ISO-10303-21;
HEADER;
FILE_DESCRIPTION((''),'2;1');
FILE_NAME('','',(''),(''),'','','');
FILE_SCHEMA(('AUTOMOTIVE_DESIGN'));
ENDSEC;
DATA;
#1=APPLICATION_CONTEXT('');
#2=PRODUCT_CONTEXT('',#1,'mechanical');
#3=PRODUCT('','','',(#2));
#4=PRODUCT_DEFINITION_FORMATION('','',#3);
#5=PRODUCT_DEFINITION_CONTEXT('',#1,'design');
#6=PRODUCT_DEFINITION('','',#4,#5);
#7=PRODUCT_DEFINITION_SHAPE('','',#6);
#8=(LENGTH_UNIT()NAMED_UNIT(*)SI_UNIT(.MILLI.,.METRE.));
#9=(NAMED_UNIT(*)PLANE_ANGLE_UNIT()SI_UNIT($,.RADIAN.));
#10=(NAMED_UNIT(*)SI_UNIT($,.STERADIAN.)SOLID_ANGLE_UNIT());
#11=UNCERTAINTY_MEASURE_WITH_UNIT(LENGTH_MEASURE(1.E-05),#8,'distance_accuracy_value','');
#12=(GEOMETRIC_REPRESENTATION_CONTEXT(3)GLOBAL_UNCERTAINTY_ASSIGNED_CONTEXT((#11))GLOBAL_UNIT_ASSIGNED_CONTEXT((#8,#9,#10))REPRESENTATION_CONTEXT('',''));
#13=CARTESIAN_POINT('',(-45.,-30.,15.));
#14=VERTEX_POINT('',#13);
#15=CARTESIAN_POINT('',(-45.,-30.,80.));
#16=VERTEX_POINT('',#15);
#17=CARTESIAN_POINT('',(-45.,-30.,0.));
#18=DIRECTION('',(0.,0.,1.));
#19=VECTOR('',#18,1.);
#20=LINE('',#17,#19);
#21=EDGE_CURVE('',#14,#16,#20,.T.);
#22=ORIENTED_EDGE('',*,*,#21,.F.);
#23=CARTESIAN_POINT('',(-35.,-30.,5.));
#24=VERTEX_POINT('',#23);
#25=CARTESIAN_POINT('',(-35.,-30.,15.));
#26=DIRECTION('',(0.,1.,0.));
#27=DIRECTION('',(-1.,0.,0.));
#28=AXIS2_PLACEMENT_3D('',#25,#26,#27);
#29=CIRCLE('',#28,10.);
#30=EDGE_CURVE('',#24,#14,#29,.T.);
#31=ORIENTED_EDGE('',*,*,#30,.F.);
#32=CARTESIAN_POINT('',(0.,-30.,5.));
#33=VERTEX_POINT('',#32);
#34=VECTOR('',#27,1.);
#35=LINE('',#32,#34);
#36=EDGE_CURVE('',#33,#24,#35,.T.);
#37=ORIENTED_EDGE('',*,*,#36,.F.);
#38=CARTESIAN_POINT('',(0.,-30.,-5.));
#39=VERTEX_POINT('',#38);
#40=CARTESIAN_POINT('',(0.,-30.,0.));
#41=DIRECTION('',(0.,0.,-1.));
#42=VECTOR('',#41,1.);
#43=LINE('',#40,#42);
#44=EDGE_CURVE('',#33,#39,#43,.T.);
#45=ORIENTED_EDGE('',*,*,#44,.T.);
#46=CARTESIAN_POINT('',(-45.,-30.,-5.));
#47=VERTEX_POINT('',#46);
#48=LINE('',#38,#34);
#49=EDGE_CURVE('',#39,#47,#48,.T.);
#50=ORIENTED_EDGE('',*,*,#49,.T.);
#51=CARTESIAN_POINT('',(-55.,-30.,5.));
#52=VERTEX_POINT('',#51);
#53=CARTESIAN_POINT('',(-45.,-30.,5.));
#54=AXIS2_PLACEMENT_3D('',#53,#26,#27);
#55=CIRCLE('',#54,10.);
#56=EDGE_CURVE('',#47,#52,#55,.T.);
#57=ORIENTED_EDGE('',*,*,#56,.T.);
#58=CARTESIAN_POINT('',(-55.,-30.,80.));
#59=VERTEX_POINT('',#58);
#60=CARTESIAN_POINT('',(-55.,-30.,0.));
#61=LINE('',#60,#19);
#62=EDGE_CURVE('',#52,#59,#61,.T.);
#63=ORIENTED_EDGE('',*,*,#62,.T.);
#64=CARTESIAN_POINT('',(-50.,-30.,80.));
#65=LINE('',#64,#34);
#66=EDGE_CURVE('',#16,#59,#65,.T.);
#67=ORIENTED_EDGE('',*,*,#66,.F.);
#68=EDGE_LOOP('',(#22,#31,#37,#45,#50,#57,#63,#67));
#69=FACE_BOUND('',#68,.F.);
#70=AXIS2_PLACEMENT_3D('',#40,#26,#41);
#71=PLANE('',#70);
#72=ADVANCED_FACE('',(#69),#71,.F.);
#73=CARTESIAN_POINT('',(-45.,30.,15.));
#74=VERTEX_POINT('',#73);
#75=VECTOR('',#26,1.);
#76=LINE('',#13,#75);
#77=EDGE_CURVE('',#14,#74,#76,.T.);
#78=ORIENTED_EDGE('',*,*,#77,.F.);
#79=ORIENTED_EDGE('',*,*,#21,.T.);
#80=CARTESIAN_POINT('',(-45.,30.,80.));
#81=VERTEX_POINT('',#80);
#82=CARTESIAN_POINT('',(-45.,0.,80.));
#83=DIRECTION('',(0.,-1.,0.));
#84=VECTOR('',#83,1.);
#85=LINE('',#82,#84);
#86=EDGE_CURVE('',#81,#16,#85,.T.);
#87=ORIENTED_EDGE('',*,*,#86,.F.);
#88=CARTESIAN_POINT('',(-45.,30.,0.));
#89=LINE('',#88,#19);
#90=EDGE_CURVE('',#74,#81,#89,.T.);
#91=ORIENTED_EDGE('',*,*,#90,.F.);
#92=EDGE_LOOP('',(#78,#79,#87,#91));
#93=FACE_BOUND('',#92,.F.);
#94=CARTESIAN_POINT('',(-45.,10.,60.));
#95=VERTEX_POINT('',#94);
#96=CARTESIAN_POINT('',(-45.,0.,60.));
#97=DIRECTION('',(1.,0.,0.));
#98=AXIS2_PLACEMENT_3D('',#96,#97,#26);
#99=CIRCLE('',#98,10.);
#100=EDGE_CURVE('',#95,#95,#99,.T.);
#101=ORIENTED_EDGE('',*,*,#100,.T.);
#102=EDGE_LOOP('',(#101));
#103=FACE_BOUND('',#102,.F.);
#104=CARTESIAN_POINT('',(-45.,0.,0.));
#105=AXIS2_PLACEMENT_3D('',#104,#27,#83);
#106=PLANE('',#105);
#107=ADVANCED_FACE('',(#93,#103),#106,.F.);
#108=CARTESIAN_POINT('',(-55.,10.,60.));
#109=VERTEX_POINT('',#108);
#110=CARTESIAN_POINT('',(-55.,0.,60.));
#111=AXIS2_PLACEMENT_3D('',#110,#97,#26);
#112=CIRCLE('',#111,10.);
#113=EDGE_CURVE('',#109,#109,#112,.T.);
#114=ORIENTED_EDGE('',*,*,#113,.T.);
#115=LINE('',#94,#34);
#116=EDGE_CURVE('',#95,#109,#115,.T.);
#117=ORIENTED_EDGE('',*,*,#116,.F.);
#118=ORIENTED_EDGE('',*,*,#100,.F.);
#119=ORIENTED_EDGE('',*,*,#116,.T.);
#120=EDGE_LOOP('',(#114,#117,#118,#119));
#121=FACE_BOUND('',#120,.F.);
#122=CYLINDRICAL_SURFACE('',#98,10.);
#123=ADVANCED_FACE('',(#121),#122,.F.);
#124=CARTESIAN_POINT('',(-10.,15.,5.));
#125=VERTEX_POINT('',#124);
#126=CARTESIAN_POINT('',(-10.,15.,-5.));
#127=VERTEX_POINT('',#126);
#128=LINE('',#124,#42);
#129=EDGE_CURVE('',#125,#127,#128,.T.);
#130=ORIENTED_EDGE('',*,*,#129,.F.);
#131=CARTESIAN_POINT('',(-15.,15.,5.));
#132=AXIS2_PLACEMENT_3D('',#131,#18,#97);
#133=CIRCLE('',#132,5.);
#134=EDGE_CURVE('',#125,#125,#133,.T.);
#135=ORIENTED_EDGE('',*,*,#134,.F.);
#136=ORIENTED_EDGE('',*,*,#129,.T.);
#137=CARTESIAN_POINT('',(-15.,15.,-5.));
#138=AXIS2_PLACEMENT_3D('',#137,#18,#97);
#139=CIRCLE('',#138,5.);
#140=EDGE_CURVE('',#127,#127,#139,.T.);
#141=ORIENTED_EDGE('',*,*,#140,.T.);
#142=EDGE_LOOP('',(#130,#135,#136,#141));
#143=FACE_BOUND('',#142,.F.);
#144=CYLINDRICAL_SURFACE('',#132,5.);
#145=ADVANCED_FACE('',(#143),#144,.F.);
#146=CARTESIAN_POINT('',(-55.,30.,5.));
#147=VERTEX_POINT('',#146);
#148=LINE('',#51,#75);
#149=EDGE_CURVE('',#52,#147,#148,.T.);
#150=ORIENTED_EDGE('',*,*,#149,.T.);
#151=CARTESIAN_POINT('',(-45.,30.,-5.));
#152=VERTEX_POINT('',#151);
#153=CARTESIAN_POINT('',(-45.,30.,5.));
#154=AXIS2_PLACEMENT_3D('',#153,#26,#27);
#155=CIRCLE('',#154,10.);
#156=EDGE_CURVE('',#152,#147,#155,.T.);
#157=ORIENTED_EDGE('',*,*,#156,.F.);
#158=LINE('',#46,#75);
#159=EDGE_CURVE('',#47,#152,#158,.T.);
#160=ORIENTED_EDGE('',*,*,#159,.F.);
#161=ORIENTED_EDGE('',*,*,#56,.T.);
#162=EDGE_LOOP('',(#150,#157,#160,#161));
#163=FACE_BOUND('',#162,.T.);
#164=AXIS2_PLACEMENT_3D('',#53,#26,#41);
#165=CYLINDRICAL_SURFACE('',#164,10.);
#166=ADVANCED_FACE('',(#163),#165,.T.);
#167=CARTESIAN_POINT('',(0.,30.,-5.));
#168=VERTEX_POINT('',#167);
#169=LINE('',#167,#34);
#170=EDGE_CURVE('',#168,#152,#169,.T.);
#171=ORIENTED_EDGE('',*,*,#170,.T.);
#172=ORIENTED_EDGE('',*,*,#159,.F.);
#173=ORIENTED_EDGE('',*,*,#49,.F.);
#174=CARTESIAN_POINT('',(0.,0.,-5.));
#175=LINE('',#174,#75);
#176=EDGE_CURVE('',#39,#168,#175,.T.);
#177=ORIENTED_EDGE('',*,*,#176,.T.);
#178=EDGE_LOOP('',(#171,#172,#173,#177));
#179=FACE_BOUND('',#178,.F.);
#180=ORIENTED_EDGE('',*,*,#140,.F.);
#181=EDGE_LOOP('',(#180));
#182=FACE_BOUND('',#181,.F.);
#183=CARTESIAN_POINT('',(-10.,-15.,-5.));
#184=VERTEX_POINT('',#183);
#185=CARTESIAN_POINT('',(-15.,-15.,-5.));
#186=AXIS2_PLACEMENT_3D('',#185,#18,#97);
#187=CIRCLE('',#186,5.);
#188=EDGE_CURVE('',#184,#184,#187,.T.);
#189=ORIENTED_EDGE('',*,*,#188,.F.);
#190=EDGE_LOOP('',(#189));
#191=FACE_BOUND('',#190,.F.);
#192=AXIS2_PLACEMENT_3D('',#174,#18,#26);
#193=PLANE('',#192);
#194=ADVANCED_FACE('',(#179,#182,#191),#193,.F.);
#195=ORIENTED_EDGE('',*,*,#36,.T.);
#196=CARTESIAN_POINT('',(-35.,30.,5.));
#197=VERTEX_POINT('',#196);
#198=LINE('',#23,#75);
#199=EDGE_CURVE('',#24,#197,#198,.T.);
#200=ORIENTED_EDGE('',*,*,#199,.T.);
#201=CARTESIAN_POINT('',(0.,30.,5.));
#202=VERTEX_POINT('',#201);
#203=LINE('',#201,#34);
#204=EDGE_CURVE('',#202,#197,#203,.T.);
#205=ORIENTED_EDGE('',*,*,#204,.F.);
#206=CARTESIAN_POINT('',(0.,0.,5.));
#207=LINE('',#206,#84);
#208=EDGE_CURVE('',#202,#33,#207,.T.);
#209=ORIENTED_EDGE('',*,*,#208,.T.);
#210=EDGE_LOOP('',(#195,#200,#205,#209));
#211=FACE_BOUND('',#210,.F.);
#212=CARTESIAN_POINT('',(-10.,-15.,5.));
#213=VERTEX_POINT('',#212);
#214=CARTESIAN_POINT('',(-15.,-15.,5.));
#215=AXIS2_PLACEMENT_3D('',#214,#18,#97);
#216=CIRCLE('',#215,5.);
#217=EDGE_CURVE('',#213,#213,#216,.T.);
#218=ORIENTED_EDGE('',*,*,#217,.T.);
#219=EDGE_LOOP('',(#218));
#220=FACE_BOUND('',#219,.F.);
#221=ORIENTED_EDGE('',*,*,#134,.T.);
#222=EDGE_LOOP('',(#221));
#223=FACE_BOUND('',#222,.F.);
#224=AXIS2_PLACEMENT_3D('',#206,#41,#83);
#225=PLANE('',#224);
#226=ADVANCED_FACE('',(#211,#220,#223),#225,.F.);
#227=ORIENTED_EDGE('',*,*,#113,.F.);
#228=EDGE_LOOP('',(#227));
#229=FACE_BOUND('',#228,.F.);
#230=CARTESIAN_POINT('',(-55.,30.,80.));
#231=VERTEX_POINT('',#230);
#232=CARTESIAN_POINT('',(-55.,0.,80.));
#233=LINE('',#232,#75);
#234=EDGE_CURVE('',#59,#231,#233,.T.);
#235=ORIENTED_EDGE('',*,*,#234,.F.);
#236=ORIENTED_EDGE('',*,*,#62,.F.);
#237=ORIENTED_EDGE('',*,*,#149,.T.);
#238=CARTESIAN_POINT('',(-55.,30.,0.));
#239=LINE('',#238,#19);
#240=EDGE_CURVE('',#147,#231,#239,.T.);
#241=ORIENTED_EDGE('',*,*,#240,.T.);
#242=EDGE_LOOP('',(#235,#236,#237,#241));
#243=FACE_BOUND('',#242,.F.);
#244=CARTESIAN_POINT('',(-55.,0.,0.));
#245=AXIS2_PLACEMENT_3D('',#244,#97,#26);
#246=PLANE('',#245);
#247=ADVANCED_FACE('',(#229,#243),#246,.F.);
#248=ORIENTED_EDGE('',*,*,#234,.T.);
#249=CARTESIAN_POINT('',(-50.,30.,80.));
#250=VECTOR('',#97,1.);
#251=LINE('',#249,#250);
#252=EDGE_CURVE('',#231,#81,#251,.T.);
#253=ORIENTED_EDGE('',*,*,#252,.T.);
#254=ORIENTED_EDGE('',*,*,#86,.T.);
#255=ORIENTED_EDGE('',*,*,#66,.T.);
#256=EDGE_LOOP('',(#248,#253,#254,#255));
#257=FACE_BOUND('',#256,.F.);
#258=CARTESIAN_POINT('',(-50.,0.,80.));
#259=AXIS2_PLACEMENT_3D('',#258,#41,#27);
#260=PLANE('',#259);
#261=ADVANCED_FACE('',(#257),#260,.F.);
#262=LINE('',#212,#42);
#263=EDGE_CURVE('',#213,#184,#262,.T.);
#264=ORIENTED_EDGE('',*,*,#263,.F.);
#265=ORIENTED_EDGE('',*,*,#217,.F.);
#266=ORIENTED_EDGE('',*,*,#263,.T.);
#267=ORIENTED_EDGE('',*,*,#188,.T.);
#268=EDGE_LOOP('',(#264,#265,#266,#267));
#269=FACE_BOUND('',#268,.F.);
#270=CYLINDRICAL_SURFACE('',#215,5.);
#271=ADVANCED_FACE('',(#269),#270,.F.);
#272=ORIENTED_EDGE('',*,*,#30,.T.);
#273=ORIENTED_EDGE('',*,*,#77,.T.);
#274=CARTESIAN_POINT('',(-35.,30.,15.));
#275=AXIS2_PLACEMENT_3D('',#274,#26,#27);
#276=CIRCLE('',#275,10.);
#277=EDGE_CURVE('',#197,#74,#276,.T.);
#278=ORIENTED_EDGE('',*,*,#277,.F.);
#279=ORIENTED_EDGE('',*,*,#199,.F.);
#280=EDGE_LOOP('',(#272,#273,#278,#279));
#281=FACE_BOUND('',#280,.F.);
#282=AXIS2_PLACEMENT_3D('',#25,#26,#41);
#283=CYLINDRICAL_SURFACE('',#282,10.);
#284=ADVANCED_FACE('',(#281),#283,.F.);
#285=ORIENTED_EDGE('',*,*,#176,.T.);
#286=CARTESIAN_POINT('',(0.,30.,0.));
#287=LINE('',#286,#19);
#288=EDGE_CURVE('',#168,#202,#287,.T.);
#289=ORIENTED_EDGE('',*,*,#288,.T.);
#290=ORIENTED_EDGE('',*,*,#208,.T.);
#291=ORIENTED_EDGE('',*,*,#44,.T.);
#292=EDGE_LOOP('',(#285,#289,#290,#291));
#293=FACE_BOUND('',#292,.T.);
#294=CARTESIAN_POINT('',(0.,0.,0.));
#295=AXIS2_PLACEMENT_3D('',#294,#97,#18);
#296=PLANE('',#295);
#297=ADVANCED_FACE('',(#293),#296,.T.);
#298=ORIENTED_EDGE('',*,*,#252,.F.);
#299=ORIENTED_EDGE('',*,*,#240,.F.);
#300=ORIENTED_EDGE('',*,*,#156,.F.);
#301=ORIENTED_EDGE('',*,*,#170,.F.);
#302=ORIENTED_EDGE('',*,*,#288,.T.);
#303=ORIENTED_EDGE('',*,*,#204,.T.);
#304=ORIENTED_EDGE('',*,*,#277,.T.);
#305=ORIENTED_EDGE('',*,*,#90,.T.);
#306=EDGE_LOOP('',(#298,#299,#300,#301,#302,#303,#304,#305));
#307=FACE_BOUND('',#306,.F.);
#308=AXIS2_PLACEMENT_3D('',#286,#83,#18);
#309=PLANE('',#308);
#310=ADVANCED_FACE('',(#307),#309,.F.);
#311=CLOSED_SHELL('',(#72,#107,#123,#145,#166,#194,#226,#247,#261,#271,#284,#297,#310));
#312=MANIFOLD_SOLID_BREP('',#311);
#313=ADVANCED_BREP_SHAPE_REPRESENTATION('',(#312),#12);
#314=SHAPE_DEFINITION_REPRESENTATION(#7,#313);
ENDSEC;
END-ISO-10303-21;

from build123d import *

# Parameters (mm, degrees)
F0_W     = 60
F0_H     = 10
F3_R     = 10
F4_R     = 10
F5_DEPTH = 10.001
F6_R     = 5
F7_DEPTH = 25
F8_R     = 5
F9_DEPTH = 25


with BuildPart() as f2:
    # F2: sweep along a path in F1
    with BuildLine(Plane.XZ) as f2_path:
        Line((0, 0), (-50, 0))
        Line((-50, 0), (-50, 80))
    # F0 (on Right) → F2 (sweep)
    with BuildSketch(Plane.YZ):
        Rectangle(F0_W, F0_H)
    sweep(path=f2_path.line, transition=Transition.RIGHT)

    # F3
    f3_edges = [f2.edges().sort_by_distance(p)[0] for p in [
        (-45, 0, 5),
        (-55, 0, -5),
    ]]
    fillet(f3_edges, radius=F3_R)

    # F4 (on face) → F5 (cut, through all)
    with BuildSketch(Plane.YZ.offset(-45)):
        with Locations((0, 60)):
            Circle(F4_R)
    extrude(amount=-F5_DEPTH, mode=Mode.SUBTRACT)

    # F6 (on face) → F7 (cut)
    with BuildSketch(Plane.XY.offset(5)):
        with Locations((-15, 15)):
            Circle(F6_R)
    extrude(amount=-F7_DEPTH, mode=Mode.SUBTRACT)

    # F8 (on face) → F9 (cut)
    with BuildSketch(Plane.XY.offset(5)):
        with Locations((-15, -15)):
            Circle(F8_R)
    extrude(amount=-F9_DEPTH, mode=Mode.SUBTRACT)


solid = f2.part
